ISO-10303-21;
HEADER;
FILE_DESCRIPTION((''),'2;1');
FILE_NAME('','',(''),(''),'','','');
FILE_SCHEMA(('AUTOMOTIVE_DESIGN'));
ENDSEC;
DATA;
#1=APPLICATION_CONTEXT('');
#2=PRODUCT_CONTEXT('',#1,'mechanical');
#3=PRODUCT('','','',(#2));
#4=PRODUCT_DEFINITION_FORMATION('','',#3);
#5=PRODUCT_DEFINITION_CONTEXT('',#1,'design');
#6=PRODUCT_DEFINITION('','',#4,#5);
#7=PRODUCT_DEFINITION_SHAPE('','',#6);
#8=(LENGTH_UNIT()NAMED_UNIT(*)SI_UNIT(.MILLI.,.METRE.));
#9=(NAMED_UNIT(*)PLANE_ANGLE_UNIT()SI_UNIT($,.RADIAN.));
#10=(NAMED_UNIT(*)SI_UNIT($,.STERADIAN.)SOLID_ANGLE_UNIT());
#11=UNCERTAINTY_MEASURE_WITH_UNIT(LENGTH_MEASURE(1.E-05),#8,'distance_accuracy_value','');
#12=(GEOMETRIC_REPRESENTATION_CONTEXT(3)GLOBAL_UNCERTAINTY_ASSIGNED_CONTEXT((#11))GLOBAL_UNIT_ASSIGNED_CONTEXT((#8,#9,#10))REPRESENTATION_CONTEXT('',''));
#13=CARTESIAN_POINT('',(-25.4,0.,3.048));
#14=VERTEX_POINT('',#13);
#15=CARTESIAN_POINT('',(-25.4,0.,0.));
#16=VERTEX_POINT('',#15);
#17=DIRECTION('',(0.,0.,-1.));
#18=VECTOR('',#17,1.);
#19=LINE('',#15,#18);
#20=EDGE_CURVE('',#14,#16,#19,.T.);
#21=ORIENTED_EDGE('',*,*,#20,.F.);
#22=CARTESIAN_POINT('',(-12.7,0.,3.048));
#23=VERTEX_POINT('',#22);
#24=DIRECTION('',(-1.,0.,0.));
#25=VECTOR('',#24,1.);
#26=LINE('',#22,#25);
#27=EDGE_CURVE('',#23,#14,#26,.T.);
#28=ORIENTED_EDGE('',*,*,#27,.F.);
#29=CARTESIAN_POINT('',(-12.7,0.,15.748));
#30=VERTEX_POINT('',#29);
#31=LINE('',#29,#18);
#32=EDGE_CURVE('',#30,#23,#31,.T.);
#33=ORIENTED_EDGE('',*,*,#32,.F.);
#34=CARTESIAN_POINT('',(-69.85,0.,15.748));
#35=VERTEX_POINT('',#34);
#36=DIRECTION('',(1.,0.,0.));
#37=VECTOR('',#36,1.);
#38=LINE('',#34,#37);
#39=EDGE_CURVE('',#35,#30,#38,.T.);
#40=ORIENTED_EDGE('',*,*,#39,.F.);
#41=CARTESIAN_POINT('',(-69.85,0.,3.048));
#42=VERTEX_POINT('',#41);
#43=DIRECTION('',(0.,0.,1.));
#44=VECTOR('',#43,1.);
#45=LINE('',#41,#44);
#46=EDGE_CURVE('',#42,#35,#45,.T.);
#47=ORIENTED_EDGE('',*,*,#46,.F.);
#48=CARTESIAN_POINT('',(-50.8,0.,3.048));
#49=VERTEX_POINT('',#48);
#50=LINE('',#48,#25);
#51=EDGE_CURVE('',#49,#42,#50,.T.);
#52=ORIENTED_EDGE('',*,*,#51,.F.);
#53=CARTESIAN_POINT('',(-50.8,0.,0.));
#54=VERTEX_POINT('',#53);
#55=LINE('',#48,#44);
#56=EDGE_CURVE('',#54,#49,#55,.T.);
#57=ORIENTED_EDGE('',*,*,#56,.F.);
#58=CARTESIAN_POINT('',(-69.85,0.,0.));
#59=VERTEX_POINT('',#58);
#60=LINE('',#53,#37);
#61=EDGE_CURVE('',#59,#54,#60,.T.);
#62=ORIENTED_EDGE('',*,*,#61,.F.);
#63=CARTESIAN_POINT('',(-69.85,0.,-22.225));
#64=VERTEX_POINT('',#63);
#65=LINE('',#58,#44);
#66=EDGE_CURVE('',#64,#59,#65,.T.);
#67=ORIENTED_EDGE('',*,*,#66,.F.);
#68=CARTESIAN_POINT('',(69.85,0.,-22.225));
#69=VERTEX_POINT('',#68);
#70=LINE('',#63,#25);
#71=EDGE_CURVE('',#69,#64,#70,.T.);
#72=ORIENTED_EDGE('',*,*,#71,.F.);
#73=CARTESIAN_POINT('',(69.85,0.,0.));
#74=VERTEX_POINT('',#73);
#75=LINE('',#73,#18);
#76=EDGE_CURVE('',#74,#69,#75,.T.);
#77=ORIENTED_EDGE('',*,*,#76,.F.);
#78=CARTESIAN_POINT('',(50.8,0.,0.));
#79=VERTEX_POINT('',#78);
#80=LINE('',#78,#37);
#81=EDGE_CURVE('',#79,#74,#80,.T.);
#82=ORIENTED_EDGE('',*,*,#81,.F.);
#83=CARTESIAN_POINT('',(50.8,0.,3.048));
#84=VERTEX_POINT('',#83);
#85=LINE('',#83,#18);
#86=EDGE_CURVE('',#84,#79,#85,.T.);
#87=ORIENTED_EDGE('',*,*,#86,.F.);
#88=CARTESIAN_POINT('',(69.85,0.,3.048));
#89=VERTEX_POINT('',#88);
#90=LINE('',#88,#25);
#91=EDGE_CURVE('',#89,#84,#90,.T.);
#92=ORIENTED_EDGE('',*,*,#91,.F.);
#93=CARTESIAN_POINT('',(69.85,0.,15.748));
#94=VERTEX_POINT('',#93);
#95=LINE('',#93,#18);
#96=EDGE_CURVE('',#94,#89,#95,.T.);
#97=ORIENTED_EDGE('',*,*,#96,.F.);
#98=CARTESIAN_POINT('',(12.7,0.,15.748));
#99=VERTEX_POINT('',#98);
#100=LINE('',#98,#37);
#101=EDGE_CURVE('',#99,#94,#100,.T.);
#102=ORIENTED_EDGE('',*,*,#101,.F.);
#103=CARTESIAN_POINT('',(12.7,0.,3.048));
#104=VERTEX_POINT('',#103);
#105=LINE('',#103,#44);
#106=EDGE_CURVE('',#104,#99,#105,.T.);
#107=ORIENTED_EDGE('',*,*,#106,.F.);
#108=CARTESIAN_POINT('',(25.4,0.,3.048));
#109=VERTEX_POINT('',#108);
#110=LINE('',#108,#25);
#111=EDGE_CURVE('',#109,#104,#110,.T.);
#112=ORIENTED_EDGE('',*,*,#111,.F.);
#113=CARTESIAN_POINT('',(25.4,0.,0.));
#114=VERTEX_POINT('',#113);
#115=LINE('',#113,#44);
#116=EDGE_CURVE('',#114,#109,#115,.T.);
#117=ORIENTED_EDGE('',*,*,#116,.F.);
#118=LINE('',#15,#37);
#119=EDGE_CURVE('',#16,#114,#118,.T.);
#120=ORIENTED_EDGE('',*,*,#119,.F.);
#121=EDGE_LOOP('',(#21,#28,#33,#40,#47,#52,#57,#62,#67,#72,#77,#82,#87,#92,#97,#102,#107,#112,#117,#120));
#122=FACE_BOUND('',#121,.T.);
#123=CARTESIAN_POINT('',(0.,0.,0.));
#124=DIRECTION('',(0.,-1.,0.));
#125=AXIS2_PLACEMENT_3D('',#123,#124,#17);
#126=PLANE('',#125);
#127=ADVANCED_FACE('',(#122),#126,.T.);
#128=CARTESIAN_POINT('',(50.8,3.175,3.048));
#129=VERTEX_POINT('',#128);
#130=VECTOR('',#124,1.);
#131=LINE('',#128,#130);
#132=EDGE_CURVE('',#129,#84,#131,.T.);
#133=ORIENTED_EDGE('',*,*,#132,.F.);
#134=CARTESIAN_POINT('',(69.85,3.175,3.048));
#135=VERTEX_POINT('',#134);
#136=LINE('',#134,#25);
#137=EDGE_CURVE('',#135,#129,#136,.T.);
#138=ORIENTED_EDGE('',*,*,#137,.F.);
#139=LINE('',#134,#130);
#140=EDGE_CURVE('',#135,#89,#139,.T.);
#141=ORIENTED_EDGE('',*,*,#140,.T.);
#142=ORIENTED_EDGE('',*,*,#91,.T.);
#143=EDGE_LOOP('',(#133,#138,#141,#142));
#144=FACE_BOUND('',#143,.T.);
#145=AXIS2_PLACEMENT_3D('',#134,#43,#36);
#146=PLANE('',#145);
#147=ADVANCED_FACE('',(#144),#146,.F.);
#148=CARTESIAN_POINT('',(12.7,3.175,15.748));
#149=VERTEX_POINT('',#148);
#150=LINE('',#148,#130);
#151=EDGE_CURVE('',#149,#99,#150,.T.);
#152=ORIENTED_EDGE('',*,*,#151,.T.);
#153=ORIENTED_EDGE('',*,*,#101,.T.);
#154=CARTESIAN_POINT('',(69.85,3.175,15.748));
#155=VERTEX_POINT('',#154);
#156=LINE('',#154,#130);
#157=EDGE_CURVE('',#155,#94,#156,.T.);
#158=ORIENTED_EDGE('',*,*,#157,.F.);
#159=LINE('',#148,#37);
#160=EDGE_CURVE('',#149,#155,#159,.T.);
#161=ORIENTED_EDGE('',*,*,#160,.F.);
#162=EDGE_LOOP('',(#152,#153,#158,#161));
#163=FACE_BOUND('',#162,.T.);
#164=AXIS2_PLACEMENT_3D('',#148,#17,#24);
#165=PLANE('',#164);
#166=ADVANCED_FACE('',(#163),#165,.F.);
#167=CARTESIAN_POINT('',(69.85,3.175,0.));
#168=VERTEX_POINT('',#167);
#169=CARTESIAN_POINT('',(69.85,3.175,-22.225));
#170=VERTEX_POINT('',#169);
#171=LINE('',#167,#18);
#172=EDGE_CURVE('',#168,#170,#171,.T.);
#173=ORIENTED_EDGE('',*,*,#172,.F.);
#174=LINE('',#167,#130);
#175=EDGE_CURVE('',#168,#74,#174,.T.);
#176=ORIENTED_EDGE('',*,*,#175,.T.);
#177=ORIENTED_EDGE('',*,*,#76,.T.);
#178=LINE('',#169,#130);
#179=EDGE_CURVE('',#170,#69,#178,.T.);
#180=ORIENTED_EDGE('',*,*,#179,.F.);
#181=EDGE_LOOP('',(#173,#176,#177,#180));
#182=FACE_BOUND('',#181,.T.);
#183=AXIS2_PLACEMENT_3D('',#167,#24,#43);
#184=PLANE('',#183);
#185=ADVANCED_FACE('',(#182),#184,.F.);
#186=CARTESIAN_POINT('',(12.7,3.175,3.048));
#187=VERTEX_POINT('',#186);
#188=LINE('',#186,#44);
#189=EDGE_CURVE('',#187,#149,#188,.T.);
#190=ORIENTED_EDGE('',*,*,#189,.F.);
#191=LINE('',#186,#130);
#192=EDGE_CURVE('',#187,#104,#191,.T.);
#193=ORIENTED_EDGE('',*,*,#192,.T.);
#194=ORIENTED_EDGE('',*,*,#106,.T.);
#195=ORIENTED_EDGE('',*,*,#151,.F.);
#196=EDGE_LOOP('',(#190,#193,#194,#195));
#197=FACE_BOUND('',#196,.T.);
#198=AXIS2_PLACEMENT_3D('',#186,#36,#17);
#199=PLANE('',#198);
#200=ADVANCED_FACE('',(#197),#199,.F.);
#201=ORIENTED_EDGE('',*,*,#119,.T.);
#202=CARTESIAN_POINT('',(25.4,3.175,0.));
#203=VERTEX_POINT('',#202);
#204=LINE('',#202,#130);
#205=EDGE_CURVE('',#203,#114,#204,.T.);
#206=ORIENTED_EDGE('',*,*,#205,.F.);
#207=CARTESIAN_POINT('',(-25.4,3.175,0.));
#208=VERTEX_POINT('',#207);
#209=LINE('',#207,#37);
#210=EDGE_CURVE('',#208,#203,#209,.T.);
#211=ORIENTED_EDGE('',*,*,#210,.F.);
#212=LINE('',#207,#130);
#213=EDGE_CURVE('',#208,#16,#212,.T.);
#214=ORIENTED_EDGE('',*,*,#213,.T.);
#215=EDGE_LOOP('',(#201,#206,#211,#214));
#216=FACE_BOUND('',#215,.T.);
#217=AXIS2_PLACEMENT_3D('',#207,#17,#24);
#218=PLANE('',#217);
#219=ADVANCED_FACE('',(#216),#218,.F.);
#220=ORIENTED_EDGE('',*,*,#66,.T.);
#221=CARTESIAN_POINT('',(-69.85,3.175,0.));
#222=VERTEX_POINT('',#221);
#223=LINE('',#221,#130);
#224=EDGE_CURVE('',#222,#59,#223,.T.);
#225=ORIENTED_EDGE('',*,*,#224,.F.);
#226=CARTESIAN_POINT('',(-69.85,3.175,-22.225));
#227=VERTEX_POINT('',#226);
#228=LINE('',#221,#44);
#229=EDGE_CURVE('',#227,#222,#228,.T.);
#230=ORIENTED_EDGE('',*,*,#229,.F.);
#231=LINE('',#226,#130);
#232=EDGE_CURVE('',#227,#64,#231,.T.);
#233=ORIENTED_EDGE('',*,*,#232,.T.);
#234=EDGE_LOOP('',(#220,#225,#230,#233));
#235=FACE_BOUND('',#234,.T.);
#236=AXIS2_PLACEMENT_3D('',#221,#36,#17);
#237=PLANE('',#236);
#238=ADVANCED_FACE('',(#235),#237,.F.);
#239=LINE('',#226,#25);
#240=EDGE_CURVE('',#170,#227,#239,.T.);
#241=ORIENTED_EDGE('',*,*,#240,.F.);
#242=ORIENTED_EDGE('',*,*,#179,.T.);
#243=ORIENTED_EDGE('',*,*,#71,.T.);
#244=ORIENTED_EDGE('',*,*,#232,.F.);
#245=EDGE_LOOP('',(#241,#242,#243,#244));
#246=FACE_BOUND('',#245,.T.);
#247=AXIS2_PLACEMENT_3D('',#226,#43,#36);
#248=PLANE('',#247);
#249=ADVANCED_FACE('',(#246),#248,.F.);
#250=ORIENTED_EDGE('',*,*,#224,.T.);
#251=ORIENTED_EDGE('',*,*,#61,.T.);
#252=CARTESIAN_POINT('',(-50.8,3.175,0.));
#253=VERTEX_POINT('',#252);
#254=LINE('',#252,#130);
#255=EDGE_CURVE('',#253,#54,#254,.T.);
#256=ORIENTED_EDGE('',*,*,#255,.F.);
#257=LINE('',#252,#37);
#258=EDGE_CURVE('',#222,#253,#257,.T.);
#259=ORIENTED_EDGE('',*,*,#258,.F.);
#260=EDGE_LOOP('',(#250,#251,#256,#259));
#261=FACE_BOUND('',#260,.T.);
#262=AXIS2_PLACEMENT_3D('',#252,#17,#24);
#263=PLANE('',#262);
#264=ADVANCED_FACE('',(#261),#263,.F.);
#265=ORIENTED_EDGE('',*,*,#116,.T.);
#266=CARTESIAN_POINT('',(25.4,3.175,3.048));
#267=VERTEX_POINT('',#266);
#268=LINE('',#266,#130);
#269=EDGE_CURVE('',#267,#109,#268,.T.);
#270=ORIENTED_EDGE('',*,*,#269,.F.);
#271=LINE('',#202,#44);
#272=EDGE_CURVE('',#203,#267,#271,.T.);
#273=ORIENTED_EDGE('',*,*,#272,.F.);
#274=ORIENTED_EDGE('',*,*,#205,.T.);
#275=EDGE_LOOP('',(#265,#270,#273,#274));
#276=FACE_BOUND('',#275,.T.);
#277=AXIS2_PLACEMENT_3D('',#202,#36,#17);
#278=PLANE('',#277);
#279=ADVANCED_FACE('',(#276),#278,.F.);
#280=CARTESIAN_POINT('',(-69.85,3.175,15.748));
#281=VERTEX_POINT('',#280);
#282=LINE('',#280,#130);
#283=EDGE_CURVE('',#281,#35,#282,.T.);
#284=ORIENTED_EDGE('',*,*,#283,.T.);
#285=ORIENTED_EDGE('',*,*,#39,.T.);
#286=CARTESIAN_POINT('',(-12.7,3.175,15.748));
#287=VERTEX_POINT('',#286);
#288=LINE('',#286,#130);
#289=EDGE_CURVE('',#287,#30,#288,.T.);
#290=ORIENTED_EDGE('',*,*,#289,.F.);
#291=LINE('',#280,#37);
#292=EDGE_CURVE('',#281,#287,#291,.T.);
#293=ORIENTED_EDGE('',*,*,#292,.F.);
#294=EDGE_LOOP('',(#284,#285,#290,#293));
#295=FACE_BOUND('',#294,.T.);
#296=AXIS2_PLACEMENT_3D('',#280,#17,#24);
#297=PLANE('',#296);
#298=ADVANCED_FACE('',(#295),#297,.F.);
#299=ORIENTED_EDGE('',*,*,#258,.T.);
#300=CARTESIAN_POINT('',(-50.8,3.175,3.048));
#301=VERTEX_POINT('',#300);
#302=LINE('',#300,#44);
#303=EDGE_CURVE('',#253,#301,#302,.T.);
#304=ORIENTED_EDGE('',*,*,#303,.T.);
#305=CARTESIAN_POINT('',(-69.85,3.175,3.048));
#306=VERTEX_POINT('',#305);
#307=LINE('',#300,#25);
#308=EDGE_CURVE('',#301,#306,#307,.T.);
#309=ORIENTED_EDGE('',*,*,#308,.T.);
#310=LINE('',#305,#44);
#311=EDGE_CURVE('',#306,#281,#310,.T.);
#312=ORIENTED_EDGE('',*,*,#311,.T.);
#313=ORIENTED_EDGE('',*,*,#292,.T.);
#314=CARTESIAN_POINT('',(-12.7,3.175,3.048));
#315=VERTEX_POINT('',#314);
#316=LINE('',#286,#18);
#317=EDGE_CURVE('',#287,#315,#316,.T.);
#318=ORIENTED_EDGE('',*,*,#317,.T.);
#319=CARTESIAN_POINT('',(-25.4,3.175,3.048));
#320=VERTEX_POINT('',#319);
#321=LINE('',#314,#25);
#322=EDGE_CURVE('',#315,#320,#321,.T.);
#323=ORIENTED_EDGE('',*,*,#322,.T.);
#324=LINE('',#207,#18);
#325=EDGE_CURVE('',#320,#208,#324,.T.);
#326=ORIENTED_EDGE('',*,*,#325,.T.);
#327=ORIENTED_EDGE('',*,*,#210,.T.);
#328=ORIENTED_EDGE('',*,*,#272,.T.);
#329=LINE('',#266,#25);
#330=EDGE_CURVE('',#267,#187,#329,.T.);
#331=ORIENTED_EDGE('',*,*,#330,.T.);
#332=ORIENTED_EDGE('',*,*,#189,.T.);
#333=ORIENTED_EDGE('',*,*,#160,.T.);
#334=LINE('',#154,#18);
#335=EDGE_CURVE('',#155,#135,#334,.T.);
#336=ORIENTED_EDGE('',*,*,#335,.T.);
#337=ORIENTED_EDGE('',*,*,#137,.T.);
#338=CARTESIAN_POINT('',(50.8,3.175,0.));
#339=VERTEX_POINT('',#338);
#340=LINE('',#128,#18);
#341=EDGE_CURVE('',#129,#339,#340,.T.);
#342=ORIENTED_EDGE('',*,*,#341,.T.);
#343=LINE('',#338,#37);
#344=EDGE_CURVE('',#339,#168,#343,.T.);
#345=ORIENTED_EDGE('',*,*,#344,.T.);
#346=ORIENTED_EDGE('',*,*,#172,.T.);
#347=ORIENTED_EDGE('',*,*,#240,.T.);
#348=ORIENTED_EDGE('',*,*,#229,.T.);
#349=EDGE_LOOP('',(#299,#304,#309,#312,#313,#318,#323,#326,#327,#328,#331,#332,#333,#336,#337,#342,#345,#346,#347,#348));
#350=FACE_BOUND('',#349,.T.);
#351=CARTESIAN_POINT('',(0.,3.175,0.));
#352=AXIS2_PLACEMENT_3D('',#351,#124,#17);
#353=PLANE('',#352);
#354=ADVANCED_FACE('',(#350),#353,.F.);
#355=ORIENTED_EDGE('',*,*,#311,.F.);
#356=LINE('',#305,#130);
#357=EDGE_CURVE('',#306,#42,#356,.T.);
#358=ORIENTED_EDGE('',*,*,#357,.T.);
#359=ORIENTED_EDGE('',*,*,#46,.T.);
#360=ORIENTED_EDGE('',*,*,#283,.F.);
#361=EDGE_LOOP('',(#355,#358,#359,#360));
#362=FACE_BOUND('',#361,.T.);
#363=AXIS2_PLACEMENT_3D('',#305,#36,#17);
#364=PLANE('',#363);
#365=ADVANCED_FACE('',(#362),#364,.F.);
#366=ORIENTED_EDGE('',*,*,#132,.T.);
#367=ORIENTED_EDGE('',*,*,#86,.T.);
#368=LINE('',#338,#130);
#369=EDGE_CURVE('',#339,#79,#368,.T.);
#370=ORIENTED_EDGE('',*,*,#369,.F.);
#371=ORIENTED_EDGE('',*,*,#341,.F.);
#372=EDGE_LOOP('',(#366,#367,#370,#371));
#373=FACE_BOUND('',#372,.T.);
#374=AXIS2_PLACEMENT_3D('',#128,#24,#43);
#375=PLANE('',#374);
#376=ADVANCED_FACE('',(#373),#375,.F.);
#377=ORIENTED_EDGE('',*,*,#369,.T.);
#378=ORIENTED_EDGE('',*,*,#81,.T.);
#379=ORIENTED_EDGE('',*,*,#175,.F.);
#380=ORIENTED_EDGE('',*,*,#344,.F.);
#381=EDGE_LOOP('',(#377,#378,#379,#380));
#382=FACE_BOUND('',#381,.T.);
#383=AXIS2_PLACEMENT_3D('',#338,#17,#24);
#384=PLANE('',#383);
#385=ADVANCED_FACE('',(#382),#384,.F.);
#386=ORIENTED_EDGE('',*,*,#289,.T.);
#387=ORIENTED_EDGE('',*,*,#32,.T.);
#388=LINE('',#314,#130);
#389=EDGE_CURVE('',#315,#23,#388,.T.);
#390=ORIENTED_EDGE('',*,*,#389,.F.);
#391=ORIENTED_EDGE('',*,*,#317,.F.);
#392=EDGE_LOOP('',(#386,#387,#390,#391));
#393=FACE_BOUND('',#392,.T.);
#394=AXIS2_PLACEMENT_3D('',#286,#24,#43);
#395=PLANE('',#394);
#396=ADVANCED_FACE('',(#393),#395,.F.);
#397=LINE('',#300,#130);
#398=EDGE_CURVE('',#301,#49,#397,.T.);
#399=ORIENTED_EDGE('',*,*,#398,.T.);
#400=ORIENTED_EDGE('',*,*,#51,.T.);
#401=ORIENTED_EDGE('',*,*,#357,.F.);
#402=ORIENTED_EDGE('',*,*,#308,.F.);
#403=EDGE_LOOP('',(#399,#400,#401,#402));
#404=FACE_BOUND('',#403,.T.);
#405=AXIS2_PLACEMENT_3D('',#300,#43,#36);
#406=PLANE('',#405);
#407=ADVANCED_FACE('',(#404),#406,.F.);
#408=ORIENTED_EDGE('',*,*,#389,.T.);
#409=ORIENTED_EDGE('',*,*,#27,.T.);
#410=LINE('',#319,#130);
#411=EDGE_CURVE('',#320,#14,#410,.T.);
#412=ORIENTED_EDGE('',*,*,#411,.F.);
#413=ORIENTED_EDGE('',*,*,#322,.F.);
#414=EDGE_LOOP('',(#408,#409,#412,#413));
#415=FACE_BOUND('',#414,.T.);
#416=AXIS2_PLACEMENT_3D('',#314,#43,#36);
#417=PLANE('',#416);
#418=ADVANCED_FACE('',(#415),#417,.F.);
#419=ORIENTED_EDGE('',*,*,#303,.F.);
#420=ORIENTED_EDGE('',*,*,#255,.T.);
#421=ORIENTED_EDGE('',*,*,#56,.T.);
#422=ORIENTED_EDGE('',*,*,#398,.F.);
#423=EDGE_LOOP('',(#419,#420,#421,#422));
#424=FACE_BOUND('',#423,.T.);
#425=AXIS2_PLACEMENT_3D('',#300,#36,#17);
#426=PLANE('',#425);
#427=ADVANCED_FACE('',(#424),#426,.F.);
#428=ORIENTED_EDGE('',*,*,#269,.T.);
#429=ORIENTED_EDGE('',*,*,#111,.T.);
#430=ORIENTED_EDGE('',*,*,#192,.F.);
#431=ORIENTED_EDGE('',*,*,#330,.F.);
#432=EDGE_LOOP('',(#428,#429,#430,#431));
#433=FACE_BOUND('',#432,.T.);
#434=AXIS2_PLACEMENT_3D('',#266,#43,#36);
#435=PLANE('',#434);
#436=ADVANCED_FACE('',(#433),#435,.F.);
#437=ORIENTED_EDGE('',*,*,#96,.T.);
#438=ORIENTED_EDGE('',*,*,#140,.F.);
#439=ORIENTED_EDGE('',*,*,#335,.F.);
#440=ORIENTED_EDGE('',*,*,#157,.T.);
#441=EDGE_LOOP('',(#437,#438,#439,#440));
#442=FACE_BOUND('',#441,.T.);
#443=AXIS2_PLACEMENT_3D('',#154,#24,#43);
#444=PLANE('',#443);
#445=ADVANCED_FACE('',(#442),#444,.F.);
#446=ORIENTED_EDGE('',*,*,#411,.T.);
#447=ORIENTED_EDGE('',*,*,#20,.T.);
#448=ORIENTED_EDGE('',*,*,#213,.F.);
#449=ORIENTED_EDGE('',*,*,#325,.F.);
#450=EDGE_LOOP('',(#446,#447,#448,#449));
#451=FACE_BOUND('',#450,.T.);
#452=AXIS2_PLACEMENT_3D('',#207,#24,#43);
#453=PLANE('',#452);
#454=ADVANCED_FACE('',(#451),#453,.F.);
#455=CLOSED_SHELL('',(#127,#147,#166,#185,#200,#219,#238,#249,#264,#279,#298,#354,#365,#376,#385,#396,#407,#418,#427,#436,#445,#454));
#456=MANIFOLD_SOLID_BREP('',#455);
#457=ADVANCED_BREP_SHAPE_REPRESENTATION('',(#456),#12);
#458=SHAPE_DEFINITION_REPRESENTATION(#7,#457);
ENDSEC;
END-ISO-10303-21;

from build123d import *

# Parameters (mm, degrees)
BOSS_EXTRUDE1_DEPTH = 3.175


with BuildPart() as part:
    # Sketch1 → Boss-Extrude1 (new body)
    with BuildSketch(Plane(origin=(0, 0, 0), x_dir=(1, 0, 0), z_dir=(0, 1, 0))):
        Polygon((-69.85, 22.225), (69.85, 22.225), (69.85, 0), (50.8, 0), (50.8, -3.048), (69.85, -3.048), (69.85, -15.748), (12.7, -15.748), (12.7, -3.048), (25.4, -3.048), (25.4, 0), (-25.4, 0), (-25.4, -3.048), (-12.7, -3.048), (-12.7, -15.748), (-69.85, -15.748), (-69.85, -3.048), (-50.8, -3.048), (-50.8, 0), (-69.85, 0), align=None)
    extrude(amount=BOSS_EXTRUDE1_DEPTH)


solid = part.part
